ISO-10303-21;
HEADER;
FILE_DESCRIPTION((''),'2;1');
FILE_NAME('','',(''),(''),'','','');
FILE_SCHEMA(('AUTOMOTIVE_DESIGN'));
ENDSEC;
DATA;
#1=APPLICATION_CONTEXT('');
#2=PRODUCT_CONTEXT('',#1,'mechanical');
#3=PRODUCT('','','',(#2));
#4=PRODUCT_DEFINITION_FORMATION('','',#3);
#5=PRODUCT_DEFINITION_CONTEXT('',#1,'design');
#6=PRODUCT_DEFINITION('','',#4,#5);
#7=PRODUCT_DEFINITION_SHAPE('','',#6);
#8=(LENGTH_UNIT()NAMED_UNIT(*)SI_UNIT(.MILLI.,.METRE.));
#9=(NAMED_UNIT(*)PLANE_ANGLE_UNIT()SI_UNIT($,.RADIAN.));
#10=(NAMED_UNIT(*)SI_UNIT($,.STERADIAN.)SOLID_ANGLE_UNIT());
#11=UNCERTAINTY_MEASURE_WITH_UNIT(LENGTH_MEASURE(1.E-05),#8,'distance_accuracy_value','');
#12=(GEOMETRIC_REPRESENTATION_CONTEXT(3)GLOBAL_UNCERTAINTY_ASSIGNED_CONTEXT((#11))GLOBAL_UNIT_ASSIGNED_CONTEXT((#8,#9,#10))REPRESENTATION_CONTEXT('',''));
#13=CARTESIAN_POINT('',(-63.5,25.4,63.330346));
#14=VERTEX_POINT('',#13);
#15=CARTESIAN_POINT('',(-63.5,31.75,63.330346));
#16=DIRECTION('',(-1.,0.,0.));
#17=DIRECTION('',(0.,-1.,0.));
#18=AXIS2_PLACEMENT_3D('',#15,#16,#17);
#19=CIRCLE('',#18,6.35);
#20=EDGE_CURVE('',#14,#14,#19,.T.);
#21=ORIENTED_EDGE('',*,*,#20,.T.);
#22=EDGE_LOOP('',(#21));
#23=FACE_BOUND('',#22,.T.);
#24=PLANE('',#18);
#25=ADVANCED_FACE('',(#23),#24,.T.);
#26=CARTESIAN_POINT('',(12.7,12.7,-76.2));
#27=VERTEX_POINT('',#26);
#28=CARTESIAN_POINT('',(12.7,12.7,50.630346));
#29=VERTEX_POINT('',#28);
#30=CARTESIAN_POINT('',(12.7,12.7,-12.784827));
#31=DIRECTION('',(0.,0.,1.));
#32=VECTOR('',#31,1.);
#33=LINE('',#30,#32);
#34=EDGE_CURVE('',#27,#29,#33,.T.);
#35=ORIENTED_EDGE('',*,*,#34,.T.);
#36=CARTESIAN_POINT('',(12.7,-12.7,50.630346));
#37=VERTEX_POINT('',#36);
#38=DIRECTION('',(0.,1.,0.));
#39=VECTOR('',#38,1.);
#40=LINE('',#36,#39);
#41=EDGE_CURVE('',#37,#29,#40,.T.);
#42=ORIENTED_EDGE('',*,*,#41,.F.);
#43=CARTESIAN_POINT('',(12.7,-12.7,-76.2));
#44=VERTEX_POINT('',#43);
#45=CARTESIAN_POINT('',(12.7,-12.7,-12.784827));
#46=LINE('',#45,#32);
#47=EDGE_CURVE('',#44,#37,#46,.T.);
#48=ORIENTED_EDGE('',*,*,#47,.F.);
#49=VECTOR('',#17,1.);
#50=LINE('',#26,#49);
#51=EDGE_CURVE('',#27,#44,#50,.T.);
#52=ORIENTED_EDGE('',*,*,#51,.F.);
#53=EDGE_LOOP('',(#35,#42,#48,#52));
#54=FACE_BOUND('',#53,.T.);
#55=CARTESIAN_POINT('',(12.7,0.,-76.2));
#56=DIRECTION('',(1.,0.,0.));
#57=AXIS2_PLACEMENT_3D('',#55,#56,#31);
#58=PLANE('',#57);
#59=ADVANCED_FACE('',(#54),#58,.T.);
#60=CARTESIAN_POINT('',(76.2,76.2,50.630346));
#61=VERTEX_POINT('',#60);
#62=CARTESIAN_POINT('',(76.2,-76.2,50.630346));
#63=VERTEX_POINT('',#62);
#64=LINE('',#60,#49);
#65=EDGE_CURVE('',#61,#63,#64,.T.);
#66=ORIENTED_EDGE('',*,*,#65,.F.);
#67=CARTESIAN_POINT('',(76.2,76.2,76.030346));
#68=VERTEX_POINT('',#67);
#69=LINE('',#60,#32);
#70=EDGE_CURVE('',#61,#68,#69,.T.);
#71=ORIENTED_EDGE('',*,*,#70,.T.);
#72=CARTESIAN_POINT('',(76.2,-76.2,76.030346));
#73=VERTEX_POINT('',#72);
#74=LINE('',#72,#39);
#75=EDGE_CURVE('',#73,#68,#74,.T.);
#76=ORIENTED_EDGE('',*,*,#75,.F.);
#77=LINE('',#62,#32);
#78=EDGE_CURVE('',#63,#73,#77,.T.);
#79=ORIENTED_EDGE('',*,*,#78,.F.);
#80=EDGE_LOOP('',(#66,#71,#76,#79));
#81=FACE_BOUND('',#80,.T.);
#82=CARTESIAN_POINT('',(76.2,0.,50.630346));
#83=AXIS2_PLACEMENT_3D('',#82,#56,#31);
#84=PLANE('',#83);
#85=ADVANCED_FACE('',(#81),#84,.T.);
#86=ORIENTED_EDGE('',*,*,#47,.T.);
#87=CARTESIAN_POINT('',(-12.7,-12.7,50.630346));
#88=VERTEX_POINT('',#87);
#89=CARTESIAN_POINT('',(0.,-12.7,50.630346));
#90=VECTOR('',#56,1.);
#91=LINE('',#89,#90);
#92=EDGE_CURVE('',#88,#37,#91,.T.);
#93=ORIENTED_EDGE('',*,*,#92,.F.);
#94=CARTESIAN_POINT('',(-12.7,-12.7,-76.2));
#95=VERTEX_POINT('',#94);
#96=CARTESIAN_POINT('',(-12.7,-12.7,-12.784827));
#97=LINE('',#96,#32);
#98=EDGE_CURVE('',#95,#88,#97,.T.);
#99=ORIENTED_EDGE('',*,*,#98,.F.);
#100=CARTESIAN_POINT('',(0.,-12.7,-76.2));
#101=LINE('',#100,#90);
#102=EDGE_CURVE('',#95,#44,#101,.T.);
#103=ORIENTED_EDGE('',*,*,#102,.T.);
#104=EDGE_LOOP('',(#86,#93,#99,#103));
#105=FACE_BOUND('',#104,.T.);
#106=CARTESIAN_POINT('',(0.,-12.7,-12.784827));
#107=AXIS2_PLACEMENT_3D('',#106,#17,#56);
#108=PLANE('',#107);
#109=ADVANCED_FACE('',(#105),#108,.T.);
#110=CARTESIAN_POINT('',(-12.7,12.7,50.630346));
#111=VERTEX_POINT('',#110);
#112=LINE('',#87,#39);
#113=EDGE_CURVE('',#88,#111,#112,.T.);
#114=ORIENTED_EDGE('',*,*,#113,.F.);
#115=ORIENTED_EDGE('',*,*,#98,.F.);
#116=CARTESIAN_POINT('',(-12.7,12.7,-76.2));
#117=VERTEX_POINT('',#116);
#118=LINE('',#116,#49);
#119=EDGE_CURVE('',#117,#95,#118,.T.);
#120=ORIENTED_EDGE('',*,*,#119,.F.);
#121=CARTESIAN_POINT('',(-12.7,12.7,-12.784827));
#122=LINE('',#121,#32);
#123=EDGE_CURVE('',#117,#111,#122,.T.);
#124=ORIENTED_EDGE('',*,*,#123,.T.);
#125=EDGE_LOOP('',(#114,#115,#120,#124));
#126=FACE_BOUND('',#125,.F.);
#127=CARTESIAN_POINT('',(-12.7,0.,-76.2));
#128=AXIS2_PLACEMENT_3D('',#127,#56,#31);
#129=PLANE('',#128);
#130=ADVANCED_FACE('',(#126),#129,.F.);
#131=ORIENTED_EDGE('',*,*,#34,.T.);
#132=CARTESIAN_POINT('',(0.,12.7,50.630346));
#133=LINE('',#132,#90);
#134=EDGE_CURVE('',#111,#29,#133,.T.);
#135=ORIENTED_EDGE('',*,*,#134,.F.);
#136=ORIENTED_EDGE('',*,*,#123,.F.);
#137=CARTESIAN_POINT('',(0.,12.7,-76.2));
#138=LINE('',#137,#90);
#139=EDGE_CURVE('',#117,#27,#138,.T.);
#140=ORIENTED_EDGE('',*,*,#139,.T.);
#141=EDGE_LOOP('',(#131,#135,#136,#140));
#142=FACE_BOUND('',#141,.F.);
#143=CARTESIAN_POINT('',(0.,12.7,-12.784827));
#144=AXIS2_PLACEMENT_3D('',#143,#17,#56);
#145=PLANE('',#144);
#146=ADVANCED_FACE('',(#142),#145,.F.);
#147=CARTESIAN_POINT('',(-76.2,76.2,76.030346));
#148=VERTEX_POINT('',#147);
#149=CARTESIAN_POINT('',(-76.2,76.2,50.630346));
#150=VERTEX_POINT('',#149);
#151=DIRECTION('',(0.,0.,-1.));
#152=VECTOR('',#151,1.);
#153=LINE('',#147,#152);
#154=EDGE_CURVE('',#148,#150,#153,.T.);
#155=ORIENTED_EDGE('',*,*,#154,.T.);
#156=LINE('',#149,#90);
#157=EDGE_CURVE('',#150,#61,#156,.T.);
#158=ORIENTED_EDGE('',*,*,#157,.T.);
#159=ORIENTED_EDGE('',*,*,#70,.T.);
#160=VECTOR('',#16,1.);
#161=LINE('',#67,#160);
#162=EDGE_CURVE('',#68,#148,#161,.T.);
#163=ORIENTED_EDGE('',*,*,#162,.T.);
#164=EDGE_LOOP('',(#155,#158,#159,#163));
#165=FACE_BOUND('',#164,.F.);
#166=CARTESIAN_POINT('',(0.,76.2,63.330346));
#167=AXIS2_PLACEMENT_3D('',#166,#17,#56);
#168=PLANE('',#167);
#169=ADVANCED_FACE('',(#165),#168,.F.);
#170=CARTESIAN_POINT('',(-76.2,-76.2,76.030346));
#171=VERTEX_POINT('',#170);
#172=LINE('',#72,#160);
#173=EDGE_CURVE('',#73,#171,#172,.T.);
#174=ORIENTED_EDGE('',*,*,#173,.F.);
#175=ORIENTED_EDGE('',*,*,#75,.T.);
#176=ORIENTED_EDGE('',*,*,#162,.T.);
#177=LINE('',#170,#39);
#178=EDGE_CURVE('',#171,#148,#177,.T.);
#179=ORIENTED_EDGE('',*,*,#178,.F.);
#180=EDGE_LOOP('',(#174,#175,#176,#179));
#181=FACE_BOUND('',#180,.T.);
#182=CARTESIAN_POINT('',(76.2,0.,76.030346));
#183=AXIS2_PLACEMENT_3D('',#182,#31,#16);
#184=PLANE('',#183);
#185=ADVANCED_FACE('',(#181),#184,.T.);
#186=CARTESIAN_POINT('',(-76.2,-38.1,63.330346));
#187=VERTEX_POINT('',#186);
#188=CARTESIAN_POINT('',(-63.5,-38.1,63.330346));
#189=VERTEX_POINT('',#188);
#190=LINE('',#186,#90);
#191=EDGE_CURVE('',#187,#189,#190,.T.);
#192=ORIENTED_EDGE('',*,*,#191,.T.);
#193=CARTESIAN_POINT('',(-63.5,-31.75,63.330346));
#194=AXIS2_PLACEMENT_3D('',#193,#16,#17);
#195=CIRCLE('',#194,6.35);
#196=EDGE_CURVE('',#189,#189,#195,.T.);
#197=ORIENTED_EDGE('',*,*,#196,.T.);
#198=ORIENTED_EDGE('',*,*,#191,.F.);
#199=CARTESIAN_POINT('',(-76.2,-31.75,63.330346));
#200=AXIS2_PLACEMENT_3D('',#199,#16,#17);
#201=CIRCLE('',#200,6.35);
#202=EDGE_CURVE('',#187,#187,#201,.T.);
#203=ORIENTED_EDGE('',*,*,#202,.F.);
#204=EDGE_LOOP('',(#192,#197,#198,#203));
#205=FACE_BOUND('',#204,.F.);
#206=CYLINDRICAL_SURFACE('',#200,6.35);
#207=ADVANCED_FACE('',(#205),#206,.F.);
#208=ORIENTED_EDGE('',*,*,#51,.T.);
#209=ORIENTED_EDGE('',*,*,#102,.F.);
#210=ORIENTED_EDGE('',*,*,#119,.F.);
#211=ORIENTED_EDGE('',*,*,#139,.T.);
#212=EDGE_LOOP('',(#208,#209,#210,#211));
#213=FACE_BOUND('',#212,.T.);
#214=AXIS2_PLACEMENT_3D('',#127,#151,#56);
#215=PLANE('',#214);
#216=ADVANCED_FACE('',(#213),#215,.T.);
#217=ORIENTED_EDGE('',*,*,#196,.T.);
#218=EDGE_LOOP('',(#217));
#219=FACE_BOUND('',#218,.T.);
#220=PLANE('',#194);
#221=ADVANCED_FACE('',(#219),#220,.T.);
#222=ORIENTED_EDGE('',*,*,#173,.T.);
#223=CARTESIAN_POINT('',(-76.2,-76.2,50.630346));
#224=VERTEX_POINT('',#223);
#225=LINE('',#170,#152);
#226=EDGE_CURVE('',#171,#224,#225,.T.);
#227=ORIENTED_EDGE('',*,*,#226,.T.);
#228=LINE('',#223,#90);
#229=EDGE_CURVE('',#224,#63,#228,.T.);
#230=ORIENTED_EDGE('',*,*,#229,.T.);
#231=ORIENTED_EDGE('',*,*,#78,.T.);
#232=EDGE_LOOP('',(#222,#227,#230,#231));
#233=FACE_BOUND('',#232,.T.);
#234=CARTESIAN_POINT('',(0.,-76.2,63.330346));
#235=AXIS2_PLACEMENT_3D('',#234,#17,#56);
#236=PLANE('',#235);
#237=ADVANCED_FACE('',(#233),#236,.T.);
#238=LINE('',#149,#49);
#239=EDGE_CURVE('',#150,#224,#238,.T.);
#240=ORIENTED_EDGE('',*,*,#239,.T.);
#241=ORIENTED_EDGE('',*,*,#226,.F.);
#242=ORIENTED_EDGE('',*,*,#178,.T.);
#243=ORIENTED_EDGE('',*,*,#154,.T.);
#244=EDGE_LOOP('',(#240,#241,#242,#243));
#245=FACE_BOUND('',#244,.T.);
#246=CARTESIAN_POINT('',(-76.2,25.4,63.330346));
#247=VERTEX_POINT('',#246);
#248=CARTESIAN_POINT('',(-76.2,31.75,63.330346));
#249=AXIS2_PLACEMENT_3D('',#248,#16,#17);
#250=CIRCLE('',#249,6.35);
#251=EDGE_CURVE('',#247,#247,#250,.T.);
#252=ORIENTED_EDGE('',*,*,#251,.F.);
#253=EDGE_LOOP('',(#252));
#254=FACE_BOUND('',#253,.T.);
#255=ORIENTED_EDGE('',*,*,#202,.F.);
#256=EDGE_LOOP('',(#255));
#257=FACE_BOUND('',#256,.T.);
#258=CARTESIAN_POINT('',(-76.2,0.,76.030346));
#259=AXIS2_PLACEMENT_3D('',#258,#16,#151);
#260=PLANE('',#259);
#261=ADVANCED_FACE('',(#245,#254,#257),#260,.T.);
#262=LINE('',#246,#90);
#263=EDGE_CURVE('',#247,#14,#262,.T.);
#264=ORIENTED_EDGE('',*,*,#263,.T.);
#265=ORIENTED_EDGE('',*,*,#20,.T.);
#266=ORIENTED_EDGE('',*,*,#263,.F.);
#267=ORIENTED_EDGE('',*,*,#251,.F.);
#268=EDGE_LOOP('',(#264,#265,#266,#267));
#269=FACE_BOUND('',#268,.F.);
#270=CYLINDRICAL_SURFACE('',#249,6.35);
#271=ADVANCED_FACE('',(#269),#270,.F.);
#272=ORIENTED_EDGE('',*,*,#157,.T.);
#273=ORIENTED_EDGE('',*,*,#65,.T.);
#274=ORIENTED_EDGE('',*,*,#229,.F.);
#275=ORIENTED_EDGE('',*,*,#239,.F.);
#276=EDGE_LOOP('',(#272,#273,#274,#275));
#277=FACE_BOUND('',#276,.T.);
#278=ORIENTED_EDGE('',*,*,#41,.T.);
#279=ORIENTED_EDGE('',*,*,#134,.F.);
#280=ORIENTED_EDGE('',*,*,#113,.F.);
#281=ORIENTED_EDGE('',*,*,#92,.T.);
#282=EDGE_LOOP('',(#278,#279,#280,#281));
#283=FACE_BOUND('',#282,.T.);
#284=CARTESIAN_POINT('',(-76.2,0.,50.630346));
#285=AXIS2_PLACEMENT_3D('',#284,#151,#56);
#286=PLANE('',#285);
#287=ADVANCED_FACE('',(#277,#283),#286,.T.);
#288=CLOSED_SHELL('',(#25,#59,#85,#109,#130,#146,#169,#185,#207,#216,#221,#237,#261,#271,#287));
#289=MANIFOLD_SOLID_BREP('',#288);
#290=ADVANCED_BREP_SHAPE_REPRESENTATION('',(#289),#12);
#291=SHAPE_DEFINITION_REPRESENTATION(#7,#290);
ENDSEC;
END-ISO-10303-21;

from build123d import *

# Parameters (mm, degrees)
F1_DEPTH = 76.2
F0_W     = 25.4
F0_H     = 126.830346
F2_DEPTH = 12.7
F3_R     = 6.35
F4_DEPTH = 12.7


with BuildPart() as f1:
    # F0 (on Front) → F1 (new body, symmetric)
    with BuildSketch(Plane.XZ):
        Polygon((12.7, 76.030346), (-12.7, 76.030346), (-76.2, 76.030346), (-76.2, 50.630346), (-12.7, 50.630346), (12.7, 50.630346), (76.2, 50.630346), (76.2, 76.030346), align=None)
    extrude(amount=F1_DEPTH, both=True)

    # F0 (on Front) → F2 (join, symmetric)
    with BuildSketch(Plane.XZ):
        with Locations((0, -12.784827)):
            Rectangle(F0_W, F0_H)
    extrude(amount=F2_DEPTH, both=True)

    # F3 (on face) → F4 (cut)
    with BuildSketch(Plane(origin=(-76.2, 0, 0), x_dir=(0, -1, 0), z_dir=(-1, 0, 0))):
        with Locations((31.75, 63.330346)):
            Circle(F3_R)
        with Locations((-31.75, 63.330346)):
            Circle(F3_R)
    extrude(amount=-F4_DEPTH, mode=Mode.SUBTRACT)


solid = f1.part
